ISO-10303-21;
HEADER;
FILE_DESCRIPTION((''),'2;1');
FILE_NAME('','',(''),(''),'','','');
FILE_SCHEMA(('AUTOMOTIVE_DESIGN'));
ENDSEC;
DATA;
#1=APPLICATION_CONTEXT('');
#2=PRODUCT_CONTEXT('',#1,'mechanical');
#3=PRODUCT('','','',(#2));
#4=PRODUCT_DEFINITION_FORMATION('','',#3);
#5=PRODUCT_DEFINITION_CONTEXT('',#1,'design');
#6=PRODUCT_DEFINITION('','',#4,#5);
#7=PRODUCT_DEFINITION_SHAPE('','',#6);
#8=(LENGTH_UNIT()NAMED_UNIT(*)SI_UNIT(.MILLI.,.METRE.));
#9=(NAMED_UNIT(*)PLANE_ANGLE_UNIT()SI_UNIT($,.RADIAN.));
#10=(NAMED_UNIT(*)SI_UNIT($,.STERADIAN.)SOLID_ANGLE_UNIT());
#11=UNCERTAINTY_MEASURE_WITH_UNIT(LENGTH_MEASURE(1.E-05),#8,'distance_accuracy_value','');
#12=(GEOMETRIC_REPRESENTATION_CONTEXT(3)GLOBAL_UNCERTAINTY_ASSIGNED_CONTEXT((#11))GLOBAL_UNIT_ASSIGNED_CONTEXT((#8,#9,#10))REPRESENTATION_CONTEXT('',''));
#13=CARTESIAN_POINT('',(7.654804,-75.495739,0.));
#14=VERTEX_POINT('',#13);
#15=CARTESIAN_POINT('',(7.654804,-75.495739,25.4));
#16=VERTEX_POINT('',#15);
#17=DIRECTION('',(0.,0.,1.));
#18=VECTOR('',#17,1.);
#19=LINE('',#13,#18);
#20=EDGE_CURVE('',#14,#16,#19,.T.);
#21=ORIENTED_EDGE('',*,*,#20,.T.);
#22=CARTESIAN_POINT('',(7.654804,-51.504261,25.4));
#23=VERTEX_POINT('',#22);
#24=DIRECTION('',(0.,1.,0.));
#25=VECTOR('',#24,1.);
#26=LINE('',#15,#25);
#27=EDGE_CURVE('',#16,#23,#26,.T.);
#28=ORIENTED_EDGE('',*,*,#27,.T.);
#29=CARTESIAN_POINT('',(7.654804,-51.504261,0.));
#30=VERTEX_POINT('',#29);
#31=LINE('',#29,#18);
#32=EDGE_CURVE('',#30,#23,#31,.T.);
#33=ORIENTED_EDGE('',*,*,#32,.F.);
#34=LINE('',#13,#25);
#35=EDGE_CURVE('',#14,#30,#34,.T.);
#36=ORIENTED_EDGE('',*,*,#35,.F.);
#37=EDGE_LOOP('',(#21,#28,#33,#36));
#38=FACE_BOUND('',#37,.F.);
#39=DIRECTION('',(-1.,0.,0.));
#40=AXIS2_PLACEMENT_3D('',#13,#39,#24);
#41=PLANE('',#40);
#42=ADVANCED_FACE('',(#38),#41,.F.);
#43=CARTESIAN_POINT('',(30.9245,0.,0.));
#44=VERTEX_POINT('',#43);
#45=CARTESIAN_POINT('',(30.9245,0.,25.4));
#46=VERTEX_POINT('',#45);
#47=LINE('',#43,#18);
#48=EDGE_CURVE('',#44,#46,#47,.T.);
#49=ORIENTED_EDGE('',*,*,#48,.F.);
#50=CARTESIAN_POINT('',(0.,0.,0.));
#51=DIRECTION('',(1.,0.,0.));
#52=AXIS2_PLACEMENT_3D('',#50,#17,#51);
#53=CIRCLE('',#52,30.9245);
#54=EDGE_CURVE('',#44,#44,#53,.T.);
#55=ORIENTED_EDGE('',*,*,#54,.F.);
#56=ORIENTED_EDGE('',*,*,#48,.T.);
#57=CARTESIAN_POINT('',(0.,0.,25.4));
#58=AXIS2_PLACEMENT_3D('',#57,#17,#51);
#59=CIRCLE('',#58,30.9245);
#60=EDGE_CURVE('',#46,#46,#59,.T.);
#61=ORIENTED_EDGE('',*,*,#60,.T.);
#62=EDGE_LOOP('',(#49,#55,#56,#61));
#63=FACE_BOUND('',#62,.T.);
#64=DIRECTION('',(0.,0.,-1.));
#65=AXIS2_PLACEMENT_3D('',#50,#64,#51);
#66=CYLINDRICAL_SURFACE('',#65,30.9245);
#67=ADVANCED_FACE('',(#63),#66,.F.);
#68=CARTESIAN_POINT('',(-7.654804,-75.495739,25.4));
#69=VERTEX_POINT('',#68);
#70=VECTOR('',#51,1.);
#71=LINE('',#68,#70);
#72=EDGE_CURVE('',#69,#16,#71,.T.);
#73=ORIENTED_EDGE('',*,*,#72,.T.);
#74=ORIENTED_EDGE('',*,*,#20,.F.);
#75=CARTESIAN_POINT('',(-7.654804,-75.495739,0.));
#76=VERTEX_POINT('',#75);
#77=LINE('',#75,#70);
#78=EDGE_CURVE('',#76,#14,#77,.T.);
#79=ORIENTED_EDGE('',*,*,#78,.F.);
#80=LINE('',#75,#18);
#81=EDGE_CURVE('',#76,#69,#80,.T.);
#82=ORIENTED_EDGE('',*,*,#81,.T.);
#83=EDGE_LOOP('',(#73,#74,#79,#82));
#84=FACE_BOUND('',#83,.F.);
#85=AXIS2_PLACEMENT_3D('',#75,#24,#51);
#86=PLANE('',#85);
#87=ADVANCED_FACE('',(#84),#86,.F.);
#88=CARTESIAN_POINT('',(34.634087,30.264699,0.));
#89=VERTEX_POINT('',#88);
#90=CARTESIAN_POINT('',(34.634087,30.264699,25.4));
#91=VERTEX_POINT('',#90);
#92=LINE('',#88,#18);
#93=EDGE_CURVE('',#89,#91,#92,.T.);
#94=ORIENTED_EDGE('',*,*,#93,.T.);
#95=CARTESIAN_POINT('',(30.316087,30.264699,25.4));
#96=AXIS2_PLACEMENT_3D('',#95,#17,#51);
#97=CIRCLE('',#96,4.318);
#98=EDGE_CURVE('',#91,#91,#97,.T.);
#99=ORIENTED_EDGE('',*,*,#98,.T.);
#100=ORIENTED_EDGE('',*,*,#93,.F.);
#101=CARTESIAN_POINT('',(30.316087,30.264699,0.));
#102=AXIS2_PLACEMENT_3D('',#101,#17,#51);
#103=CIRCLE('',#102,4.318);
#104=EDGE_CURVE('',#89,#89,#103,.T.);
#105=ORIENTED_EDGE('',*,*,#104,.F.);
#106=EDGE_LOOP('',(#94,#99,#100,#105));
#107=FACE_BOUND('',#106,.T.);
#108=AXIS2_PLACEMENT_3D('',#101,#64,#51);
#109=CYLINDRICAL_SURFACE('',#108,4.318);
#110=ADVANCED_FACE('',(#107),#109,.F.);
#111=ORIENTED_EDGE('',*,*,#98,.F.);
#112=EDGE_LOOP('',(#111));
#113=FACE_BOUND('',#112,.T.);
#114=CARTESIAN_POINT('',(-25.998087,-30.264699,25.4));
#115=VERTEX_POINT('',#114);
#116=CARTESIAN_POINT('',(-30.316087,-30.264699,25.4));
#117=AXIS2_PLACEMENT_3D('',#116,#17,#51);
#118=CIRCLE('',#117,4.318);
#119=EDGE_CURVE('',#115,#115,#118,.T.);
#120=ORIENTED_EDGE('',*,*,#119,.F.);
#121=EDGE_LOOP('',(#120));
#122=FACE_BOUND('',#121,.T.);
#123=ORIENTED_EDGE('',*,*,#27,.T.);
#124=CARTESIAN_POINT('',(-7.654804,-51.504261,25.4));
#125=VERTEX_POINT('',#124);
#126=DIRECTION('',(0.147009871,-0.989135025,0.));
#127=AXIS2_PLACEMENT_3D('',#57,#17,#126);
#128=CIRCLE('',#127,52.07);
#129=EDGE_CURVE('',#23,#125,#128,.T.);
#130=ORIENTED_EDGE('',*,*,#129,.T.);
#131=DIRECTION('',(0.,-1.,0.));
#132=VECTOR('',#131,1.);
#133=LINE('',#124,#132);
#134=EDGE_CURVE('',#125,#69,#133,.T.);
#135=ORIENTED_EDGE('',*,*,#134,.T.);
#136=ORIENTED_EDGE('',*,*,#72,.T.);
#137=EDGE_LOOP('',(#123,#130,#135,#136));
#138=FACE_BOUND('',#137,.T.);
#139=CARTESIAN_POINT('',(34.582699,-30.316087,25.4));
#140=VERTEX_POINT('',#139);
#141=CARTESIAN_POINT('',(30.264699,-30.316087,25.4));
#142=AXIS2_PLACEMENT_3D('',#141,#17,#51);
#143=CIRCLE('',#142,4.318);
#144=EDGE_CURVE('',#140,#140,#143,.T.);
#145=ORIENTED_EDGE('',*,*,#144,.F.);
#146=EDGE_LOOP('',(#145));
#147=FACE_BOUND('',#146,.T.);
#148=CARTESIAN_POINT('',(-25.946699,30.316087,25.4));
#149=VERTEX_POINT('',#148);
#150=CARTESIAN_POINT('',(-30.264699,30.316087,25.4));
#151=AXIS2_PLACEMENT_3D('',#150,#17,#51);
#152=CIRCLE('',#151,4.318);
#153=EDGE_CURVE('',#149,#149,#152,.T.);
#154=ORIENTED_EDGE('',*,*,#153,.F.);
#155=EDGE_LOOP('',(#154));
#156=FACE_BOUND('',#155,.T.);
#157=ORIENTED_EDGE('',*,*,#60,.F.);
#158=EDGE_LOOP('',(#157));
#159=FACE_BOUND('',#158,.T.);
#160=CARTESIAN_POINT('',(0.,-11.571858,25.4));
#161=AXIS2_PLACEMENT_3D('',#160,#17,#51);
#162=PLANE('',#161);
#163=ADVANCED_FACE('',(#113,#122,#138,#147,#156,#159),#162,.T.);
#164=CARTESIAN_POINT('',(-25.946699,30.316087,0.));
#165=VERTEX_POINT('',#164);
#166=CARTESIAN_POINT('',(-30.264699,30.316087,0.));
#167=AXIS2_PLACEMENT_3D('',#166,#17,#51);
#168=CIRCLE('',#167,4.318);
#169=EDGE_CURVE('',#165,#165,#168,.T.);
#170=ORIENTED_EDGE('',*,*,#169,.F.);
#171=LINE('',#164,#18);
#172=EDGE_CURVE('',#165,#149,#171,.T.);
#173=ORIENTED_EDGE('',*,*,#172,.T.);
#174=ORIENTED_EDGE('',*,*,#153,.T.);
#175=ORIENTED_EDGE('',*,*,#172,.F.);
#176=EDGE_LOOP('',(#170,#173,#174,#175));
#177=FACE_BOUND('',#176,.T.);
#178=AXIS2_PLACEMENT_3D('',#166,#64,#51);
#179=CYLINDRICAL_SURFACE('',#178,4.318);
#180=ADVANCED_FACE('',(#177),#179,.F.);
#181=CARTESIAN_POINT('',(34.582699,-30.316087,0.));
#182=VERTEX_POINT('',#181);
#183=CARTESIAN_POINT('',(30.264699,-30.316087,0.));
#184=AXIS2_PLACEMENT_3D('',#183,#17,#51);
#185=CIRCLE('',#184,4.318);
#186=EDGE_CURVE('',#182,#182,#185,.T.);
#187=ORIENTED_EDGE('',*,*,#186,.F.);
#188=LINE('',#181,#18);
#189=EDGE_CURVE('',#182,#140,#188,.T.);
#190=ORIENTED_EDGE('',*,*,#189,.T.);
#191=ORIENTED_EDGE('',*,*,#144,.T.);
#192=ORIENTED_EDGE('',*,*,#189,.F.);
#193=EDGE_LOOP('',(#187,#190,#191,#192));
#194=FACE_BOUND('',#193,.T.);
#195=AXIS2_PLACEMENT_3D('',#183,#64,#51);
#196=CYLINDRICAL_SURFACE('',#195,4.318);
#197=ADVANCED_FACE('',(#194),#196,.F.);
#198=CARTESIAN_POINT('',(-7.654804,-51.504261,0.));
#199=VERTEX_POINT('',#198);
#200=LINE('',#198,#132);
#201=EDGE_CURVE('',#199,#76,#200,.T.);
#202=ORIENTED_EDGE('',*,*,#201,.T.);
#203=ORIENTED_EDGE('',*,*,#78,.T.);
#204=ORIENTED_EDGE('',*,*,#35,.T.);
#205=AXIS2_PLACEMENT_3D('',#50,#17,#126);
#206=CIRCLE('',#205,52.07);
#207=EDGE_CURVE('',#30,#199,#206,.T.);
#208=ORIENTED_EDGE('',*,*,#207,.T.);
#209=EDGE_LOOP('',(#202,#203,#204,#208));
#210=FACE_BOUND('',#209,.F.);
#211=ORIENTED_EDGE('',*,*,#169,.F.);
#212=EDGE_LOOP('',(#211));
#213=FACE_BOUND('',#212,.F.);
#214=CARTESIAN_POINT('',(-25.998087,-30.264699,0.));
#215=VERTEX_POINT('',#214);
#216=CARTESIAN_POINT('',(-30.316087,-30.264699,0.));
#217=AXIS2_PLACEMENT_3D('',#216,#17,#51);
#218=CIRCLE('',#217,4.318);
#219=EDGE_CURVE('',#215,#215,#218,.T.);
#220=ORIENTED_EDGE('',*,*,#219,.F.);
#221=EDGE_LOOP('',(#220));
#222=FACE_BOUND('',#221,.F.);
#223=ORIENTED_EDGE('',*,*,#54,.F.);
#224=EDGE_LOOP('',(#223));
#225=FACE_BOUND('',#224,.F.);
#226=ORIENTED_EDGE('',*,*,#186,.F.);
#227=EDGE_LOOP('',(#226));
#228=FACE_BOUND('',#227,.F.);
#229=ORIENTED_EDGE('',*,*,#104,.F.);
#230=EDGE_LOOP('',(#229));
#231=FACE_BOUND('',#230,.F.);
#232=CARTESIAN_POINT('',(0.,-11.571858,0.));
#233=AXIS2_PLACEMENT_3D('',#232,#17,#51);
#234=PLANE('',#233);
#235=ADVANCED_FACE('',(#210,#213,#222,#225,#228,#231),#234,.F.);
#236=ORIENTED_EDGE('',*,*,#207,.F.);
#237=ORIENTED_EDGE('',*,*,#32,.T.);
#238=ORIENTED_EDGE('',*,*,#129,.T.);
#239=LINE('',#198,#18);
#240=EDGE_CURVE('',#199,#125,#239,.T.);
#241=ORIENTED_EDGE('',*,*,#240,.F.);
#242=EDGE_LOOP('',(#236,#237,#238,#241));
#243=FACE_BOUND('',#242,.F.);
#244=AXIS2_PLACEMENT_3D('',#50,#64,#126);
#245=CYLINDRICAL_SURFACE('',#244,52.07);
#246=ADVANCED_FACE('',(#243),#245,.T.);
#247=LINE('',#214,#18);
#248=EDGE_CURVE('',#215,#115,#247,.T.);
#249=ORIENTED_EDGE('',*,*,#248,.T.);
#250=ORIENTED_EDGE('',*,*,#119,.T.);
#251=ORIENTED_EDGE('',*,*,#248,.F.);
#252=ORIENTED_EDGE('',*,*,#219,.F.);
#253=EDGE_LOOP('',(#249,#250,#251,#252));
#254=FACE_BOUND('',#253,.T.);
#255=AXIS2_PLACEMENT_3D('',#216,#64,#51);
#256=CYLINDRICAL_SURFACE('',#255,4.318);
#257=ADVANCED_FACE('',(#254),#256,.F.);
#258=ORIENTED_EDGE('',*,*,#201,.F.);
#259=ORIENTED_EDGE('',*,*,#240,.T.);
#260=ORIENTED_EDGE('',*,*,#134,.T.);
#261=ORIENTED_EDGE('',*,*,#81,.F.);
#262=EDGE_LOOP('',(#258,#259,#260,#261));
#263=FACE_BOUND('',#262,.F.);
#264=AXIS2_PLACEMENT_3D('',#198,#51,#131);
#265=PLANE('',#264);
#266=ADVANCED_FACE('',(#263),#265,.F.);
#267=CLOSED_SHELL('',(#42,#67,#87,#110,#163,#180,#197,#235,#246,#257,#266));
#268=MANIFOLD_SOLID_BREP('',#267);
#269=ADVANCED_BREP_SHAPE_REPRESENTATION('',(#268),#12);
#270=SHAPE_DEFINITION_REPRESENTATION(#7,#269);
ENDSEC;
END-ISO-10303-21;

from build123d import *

# Parameters (mm, degrees)
F0_R     = 4.318
F0_R_2   = 30.9245
F1_DEPTH = 25.4


with BuildPart() as f1:
    # F0 (on Top) → F1 (new body)
    with BuildSketch(Plane.XY):
        with BuildLine():
            Line((7.654804, -75.495739), (7.654804, -51.504261))
            ThreePointArc((7.654804, -51.504261), (0, 52.07), (-7.654804, -51.504261))
            Line((-7.654804, -51.504261), (-7.654804, -75.495739))
            Line((-7.654804, -75.495739), (7.654804, -75.495739))
        make_face()
        with Locations((-30.316087, -30.264699)):
            Circle(F0_R, mode=Mode.SUBTRACT)
        with Locations((30.264699, -30.316087)):
            Circle(F0_R, mode=Mode.SUBTRACT)
        with Locations((-30.264699, 30.316087)):
            Circle(F0_R, mode=Mode.SUBTRACT)
        Circle(F0_R_2, mode=Mode.SUBTRACT)
        with Locations((30.316087, 30.264699)):
            Circle(F0_R, mode=Mode.SUBTRACT)
    extrude(amount=F1_DEPTH)


solid = f1.part
